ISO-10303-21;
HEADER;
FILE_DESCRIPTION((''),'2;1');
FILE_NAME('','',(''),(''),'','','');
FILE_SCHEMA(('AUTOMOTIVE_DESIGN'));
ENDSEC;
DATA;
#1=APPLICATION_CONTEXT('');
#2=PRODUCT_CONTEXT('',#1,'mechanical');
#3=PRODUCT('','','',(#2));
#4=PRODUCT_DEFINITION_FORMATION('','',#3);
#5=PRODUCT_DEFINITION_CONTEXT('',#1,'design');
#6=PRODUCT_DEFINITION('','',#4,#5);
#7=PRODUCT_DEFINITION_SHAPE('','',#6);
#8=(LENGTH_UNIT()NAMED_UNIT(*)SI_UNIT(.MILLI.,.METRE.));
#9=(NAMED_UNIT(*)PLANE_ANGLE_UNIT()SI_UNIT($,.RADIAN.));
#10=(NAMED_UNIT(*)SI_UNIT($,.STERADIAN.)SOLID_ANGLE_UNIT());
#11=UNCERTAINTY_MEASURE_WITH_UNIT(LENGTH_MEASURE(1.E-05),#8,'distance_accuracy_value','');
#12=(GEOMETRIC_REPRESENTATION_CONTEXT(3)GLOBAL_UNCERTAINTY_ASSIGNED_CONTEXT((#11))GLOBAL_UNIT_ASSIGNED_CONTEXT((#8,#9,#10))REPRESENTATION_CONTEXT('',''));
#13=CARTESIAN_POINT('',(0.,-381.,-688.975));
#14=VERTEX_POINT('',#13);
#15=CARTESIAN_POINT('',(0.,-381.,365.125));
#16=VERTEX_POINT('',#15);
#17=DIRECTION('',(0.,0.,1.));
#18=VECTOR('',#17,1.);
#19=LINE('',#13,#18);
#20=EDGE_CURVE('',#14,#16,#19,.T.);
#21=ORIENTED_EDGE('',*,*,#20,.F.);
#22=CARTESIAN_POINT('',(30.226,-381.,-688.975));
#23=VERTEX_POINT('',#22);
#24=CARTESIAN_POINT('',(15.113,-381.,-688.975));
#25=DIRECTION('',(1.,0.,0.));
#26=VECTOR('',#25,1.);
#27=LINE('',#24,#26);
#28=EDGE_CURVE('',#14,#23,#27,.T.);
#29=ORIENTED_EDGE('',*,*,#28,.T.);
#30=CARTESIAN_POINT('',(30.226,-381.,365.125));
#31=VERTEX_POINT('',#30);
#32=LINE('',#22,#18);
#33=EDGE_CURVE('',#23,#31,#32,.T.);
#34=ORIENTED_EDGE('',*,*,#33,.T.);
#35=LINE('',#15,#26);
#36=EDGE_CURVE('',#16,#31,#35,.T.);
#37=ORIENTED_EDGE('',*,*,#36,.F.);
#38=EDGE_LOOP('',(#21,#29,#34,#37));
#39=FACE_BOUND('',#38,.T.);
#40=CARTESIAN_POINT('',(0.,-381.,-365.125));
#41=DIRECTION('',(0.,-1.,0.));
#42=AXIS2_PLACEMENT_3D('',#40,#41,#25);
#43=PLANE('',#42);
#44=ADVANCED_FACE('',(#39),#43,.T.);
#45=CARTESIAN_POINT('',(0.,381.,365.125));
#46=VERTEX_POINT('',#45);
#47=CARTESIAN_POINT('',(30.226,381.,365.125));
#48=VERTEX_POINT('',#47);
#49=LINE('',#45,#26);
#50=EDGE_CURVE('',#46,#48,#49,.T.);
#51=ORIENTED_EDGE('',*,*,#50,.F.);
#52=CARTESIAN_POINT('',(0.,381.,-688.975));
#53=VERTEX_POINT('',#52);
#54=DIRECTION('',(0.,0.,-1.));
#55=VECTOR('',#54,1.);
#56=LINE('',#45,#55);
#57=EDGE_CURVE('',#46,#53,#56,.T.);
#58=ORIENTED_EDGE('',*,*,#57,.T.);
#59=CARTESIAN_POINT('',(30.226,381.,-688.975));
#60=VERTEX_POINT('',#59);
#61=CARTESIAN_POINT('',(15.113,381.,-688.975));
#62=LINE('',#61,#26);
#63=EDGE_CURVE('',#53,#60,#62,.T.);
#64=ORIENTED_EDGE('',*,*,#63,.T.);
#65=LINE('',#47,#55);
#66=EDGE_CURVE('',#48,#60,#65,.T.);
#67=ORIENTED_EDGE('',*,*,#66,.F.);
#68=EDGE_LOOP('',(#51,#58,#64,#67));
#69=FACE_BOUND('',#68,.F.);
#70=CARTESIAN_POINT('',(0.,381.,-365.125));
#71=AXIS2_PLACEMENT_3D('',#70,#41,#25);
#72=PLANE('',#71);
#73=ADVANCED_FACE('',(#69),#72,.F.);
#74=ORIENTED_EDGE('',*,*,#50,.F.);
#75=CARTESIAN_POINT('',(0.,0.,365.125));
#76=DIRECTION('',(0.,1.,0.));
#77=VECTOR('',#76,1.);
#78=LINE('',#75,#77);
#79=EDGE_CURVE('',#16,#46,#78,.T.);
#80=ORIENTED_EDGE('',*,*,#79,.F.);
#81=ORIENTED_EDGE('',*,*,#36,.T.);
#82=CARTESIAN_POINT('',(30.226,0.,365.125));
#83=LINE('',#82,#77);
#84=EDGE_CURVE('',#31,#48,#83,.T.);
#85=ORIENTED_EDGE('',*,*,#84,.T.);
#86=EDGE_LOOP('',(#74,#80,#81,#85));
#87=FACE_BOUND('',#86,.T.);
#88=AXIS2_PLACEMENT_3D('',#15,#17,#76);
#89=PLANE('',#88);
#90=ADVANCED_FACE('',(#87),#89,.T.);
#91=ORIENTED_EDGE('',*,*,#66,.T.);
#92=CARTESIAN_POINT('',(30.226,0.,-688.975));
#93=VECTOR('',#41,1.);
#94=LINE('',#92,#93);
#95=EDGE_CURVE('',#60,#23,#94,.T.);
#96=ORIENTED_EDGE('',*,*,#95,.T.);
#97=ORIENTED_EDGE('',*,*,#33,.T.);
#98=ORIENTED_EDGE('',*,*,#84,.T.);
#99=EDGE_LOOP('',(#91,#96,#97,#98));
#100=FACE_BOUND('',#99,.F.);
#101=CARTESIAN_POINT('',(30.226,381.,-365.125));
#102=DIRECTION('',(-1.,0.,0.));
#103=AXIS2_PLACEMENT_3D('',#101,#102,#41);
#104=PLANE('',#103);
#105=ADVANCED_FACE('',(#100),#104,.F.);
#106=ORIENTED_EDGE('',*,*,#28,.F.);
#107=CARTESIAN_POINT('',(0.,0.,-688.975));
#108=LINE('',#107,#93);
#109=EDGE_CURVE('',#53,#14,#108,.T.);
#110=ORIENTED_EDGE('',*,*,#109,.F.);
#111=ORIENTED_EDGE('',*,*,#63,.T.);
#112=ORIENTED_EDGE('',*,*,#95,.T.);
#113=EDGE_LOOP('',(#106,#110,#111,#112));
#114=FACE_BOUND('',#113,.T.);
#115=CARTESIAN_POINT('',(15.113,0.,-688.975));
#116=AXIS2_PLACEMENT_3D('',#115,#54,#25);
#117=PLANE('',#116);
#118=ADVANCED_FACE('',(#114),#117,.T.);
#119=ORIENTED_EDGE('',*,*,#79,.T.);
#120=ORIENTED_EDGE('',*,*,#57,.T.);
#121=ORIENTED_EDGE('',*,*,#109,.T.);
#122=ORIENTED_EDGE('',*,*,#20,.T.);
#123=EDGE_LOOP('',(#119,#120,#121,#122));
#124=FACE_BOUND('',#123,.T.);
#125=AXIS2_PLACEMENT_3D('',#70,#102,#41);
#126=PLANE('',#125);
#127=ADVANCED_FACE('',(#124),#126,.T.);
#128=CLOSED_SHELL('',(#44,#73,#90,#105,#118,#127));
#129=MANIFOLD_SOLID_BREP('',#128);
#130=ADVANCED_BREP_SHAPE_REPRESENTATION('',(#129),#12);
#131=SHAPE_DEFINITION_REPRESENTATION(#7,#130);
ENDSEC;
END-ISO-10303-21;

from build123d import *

# Parameters (mm, degrees)
F0_W      = 762
F0_H      = 730.25
F1_DEPTH  = 30.226
F1_FACE_W = 30.226
F1_FACE_H = 762
F2_DEPTH  = 323.85


with BuildPart() as f1:
    # F0 (on Right) → F1 (new body)
    with BuildSketch(Plane.YZ):
        Rectangle(F0_W, F0_H)
    extrude(amount=F1_DEPTH)

    # F1_face (on face) → F2 (join)
    with BuildSketch(Plane(origin=(15.113, 0, -365.125), x_dir=(1, 0, 0), z_dir=(0, 0, -1))):
        Rectangle(F1_FACE_W, F1_FACE_H)
    extrude(amount=F2_DEPTH)


solid = f1.part
